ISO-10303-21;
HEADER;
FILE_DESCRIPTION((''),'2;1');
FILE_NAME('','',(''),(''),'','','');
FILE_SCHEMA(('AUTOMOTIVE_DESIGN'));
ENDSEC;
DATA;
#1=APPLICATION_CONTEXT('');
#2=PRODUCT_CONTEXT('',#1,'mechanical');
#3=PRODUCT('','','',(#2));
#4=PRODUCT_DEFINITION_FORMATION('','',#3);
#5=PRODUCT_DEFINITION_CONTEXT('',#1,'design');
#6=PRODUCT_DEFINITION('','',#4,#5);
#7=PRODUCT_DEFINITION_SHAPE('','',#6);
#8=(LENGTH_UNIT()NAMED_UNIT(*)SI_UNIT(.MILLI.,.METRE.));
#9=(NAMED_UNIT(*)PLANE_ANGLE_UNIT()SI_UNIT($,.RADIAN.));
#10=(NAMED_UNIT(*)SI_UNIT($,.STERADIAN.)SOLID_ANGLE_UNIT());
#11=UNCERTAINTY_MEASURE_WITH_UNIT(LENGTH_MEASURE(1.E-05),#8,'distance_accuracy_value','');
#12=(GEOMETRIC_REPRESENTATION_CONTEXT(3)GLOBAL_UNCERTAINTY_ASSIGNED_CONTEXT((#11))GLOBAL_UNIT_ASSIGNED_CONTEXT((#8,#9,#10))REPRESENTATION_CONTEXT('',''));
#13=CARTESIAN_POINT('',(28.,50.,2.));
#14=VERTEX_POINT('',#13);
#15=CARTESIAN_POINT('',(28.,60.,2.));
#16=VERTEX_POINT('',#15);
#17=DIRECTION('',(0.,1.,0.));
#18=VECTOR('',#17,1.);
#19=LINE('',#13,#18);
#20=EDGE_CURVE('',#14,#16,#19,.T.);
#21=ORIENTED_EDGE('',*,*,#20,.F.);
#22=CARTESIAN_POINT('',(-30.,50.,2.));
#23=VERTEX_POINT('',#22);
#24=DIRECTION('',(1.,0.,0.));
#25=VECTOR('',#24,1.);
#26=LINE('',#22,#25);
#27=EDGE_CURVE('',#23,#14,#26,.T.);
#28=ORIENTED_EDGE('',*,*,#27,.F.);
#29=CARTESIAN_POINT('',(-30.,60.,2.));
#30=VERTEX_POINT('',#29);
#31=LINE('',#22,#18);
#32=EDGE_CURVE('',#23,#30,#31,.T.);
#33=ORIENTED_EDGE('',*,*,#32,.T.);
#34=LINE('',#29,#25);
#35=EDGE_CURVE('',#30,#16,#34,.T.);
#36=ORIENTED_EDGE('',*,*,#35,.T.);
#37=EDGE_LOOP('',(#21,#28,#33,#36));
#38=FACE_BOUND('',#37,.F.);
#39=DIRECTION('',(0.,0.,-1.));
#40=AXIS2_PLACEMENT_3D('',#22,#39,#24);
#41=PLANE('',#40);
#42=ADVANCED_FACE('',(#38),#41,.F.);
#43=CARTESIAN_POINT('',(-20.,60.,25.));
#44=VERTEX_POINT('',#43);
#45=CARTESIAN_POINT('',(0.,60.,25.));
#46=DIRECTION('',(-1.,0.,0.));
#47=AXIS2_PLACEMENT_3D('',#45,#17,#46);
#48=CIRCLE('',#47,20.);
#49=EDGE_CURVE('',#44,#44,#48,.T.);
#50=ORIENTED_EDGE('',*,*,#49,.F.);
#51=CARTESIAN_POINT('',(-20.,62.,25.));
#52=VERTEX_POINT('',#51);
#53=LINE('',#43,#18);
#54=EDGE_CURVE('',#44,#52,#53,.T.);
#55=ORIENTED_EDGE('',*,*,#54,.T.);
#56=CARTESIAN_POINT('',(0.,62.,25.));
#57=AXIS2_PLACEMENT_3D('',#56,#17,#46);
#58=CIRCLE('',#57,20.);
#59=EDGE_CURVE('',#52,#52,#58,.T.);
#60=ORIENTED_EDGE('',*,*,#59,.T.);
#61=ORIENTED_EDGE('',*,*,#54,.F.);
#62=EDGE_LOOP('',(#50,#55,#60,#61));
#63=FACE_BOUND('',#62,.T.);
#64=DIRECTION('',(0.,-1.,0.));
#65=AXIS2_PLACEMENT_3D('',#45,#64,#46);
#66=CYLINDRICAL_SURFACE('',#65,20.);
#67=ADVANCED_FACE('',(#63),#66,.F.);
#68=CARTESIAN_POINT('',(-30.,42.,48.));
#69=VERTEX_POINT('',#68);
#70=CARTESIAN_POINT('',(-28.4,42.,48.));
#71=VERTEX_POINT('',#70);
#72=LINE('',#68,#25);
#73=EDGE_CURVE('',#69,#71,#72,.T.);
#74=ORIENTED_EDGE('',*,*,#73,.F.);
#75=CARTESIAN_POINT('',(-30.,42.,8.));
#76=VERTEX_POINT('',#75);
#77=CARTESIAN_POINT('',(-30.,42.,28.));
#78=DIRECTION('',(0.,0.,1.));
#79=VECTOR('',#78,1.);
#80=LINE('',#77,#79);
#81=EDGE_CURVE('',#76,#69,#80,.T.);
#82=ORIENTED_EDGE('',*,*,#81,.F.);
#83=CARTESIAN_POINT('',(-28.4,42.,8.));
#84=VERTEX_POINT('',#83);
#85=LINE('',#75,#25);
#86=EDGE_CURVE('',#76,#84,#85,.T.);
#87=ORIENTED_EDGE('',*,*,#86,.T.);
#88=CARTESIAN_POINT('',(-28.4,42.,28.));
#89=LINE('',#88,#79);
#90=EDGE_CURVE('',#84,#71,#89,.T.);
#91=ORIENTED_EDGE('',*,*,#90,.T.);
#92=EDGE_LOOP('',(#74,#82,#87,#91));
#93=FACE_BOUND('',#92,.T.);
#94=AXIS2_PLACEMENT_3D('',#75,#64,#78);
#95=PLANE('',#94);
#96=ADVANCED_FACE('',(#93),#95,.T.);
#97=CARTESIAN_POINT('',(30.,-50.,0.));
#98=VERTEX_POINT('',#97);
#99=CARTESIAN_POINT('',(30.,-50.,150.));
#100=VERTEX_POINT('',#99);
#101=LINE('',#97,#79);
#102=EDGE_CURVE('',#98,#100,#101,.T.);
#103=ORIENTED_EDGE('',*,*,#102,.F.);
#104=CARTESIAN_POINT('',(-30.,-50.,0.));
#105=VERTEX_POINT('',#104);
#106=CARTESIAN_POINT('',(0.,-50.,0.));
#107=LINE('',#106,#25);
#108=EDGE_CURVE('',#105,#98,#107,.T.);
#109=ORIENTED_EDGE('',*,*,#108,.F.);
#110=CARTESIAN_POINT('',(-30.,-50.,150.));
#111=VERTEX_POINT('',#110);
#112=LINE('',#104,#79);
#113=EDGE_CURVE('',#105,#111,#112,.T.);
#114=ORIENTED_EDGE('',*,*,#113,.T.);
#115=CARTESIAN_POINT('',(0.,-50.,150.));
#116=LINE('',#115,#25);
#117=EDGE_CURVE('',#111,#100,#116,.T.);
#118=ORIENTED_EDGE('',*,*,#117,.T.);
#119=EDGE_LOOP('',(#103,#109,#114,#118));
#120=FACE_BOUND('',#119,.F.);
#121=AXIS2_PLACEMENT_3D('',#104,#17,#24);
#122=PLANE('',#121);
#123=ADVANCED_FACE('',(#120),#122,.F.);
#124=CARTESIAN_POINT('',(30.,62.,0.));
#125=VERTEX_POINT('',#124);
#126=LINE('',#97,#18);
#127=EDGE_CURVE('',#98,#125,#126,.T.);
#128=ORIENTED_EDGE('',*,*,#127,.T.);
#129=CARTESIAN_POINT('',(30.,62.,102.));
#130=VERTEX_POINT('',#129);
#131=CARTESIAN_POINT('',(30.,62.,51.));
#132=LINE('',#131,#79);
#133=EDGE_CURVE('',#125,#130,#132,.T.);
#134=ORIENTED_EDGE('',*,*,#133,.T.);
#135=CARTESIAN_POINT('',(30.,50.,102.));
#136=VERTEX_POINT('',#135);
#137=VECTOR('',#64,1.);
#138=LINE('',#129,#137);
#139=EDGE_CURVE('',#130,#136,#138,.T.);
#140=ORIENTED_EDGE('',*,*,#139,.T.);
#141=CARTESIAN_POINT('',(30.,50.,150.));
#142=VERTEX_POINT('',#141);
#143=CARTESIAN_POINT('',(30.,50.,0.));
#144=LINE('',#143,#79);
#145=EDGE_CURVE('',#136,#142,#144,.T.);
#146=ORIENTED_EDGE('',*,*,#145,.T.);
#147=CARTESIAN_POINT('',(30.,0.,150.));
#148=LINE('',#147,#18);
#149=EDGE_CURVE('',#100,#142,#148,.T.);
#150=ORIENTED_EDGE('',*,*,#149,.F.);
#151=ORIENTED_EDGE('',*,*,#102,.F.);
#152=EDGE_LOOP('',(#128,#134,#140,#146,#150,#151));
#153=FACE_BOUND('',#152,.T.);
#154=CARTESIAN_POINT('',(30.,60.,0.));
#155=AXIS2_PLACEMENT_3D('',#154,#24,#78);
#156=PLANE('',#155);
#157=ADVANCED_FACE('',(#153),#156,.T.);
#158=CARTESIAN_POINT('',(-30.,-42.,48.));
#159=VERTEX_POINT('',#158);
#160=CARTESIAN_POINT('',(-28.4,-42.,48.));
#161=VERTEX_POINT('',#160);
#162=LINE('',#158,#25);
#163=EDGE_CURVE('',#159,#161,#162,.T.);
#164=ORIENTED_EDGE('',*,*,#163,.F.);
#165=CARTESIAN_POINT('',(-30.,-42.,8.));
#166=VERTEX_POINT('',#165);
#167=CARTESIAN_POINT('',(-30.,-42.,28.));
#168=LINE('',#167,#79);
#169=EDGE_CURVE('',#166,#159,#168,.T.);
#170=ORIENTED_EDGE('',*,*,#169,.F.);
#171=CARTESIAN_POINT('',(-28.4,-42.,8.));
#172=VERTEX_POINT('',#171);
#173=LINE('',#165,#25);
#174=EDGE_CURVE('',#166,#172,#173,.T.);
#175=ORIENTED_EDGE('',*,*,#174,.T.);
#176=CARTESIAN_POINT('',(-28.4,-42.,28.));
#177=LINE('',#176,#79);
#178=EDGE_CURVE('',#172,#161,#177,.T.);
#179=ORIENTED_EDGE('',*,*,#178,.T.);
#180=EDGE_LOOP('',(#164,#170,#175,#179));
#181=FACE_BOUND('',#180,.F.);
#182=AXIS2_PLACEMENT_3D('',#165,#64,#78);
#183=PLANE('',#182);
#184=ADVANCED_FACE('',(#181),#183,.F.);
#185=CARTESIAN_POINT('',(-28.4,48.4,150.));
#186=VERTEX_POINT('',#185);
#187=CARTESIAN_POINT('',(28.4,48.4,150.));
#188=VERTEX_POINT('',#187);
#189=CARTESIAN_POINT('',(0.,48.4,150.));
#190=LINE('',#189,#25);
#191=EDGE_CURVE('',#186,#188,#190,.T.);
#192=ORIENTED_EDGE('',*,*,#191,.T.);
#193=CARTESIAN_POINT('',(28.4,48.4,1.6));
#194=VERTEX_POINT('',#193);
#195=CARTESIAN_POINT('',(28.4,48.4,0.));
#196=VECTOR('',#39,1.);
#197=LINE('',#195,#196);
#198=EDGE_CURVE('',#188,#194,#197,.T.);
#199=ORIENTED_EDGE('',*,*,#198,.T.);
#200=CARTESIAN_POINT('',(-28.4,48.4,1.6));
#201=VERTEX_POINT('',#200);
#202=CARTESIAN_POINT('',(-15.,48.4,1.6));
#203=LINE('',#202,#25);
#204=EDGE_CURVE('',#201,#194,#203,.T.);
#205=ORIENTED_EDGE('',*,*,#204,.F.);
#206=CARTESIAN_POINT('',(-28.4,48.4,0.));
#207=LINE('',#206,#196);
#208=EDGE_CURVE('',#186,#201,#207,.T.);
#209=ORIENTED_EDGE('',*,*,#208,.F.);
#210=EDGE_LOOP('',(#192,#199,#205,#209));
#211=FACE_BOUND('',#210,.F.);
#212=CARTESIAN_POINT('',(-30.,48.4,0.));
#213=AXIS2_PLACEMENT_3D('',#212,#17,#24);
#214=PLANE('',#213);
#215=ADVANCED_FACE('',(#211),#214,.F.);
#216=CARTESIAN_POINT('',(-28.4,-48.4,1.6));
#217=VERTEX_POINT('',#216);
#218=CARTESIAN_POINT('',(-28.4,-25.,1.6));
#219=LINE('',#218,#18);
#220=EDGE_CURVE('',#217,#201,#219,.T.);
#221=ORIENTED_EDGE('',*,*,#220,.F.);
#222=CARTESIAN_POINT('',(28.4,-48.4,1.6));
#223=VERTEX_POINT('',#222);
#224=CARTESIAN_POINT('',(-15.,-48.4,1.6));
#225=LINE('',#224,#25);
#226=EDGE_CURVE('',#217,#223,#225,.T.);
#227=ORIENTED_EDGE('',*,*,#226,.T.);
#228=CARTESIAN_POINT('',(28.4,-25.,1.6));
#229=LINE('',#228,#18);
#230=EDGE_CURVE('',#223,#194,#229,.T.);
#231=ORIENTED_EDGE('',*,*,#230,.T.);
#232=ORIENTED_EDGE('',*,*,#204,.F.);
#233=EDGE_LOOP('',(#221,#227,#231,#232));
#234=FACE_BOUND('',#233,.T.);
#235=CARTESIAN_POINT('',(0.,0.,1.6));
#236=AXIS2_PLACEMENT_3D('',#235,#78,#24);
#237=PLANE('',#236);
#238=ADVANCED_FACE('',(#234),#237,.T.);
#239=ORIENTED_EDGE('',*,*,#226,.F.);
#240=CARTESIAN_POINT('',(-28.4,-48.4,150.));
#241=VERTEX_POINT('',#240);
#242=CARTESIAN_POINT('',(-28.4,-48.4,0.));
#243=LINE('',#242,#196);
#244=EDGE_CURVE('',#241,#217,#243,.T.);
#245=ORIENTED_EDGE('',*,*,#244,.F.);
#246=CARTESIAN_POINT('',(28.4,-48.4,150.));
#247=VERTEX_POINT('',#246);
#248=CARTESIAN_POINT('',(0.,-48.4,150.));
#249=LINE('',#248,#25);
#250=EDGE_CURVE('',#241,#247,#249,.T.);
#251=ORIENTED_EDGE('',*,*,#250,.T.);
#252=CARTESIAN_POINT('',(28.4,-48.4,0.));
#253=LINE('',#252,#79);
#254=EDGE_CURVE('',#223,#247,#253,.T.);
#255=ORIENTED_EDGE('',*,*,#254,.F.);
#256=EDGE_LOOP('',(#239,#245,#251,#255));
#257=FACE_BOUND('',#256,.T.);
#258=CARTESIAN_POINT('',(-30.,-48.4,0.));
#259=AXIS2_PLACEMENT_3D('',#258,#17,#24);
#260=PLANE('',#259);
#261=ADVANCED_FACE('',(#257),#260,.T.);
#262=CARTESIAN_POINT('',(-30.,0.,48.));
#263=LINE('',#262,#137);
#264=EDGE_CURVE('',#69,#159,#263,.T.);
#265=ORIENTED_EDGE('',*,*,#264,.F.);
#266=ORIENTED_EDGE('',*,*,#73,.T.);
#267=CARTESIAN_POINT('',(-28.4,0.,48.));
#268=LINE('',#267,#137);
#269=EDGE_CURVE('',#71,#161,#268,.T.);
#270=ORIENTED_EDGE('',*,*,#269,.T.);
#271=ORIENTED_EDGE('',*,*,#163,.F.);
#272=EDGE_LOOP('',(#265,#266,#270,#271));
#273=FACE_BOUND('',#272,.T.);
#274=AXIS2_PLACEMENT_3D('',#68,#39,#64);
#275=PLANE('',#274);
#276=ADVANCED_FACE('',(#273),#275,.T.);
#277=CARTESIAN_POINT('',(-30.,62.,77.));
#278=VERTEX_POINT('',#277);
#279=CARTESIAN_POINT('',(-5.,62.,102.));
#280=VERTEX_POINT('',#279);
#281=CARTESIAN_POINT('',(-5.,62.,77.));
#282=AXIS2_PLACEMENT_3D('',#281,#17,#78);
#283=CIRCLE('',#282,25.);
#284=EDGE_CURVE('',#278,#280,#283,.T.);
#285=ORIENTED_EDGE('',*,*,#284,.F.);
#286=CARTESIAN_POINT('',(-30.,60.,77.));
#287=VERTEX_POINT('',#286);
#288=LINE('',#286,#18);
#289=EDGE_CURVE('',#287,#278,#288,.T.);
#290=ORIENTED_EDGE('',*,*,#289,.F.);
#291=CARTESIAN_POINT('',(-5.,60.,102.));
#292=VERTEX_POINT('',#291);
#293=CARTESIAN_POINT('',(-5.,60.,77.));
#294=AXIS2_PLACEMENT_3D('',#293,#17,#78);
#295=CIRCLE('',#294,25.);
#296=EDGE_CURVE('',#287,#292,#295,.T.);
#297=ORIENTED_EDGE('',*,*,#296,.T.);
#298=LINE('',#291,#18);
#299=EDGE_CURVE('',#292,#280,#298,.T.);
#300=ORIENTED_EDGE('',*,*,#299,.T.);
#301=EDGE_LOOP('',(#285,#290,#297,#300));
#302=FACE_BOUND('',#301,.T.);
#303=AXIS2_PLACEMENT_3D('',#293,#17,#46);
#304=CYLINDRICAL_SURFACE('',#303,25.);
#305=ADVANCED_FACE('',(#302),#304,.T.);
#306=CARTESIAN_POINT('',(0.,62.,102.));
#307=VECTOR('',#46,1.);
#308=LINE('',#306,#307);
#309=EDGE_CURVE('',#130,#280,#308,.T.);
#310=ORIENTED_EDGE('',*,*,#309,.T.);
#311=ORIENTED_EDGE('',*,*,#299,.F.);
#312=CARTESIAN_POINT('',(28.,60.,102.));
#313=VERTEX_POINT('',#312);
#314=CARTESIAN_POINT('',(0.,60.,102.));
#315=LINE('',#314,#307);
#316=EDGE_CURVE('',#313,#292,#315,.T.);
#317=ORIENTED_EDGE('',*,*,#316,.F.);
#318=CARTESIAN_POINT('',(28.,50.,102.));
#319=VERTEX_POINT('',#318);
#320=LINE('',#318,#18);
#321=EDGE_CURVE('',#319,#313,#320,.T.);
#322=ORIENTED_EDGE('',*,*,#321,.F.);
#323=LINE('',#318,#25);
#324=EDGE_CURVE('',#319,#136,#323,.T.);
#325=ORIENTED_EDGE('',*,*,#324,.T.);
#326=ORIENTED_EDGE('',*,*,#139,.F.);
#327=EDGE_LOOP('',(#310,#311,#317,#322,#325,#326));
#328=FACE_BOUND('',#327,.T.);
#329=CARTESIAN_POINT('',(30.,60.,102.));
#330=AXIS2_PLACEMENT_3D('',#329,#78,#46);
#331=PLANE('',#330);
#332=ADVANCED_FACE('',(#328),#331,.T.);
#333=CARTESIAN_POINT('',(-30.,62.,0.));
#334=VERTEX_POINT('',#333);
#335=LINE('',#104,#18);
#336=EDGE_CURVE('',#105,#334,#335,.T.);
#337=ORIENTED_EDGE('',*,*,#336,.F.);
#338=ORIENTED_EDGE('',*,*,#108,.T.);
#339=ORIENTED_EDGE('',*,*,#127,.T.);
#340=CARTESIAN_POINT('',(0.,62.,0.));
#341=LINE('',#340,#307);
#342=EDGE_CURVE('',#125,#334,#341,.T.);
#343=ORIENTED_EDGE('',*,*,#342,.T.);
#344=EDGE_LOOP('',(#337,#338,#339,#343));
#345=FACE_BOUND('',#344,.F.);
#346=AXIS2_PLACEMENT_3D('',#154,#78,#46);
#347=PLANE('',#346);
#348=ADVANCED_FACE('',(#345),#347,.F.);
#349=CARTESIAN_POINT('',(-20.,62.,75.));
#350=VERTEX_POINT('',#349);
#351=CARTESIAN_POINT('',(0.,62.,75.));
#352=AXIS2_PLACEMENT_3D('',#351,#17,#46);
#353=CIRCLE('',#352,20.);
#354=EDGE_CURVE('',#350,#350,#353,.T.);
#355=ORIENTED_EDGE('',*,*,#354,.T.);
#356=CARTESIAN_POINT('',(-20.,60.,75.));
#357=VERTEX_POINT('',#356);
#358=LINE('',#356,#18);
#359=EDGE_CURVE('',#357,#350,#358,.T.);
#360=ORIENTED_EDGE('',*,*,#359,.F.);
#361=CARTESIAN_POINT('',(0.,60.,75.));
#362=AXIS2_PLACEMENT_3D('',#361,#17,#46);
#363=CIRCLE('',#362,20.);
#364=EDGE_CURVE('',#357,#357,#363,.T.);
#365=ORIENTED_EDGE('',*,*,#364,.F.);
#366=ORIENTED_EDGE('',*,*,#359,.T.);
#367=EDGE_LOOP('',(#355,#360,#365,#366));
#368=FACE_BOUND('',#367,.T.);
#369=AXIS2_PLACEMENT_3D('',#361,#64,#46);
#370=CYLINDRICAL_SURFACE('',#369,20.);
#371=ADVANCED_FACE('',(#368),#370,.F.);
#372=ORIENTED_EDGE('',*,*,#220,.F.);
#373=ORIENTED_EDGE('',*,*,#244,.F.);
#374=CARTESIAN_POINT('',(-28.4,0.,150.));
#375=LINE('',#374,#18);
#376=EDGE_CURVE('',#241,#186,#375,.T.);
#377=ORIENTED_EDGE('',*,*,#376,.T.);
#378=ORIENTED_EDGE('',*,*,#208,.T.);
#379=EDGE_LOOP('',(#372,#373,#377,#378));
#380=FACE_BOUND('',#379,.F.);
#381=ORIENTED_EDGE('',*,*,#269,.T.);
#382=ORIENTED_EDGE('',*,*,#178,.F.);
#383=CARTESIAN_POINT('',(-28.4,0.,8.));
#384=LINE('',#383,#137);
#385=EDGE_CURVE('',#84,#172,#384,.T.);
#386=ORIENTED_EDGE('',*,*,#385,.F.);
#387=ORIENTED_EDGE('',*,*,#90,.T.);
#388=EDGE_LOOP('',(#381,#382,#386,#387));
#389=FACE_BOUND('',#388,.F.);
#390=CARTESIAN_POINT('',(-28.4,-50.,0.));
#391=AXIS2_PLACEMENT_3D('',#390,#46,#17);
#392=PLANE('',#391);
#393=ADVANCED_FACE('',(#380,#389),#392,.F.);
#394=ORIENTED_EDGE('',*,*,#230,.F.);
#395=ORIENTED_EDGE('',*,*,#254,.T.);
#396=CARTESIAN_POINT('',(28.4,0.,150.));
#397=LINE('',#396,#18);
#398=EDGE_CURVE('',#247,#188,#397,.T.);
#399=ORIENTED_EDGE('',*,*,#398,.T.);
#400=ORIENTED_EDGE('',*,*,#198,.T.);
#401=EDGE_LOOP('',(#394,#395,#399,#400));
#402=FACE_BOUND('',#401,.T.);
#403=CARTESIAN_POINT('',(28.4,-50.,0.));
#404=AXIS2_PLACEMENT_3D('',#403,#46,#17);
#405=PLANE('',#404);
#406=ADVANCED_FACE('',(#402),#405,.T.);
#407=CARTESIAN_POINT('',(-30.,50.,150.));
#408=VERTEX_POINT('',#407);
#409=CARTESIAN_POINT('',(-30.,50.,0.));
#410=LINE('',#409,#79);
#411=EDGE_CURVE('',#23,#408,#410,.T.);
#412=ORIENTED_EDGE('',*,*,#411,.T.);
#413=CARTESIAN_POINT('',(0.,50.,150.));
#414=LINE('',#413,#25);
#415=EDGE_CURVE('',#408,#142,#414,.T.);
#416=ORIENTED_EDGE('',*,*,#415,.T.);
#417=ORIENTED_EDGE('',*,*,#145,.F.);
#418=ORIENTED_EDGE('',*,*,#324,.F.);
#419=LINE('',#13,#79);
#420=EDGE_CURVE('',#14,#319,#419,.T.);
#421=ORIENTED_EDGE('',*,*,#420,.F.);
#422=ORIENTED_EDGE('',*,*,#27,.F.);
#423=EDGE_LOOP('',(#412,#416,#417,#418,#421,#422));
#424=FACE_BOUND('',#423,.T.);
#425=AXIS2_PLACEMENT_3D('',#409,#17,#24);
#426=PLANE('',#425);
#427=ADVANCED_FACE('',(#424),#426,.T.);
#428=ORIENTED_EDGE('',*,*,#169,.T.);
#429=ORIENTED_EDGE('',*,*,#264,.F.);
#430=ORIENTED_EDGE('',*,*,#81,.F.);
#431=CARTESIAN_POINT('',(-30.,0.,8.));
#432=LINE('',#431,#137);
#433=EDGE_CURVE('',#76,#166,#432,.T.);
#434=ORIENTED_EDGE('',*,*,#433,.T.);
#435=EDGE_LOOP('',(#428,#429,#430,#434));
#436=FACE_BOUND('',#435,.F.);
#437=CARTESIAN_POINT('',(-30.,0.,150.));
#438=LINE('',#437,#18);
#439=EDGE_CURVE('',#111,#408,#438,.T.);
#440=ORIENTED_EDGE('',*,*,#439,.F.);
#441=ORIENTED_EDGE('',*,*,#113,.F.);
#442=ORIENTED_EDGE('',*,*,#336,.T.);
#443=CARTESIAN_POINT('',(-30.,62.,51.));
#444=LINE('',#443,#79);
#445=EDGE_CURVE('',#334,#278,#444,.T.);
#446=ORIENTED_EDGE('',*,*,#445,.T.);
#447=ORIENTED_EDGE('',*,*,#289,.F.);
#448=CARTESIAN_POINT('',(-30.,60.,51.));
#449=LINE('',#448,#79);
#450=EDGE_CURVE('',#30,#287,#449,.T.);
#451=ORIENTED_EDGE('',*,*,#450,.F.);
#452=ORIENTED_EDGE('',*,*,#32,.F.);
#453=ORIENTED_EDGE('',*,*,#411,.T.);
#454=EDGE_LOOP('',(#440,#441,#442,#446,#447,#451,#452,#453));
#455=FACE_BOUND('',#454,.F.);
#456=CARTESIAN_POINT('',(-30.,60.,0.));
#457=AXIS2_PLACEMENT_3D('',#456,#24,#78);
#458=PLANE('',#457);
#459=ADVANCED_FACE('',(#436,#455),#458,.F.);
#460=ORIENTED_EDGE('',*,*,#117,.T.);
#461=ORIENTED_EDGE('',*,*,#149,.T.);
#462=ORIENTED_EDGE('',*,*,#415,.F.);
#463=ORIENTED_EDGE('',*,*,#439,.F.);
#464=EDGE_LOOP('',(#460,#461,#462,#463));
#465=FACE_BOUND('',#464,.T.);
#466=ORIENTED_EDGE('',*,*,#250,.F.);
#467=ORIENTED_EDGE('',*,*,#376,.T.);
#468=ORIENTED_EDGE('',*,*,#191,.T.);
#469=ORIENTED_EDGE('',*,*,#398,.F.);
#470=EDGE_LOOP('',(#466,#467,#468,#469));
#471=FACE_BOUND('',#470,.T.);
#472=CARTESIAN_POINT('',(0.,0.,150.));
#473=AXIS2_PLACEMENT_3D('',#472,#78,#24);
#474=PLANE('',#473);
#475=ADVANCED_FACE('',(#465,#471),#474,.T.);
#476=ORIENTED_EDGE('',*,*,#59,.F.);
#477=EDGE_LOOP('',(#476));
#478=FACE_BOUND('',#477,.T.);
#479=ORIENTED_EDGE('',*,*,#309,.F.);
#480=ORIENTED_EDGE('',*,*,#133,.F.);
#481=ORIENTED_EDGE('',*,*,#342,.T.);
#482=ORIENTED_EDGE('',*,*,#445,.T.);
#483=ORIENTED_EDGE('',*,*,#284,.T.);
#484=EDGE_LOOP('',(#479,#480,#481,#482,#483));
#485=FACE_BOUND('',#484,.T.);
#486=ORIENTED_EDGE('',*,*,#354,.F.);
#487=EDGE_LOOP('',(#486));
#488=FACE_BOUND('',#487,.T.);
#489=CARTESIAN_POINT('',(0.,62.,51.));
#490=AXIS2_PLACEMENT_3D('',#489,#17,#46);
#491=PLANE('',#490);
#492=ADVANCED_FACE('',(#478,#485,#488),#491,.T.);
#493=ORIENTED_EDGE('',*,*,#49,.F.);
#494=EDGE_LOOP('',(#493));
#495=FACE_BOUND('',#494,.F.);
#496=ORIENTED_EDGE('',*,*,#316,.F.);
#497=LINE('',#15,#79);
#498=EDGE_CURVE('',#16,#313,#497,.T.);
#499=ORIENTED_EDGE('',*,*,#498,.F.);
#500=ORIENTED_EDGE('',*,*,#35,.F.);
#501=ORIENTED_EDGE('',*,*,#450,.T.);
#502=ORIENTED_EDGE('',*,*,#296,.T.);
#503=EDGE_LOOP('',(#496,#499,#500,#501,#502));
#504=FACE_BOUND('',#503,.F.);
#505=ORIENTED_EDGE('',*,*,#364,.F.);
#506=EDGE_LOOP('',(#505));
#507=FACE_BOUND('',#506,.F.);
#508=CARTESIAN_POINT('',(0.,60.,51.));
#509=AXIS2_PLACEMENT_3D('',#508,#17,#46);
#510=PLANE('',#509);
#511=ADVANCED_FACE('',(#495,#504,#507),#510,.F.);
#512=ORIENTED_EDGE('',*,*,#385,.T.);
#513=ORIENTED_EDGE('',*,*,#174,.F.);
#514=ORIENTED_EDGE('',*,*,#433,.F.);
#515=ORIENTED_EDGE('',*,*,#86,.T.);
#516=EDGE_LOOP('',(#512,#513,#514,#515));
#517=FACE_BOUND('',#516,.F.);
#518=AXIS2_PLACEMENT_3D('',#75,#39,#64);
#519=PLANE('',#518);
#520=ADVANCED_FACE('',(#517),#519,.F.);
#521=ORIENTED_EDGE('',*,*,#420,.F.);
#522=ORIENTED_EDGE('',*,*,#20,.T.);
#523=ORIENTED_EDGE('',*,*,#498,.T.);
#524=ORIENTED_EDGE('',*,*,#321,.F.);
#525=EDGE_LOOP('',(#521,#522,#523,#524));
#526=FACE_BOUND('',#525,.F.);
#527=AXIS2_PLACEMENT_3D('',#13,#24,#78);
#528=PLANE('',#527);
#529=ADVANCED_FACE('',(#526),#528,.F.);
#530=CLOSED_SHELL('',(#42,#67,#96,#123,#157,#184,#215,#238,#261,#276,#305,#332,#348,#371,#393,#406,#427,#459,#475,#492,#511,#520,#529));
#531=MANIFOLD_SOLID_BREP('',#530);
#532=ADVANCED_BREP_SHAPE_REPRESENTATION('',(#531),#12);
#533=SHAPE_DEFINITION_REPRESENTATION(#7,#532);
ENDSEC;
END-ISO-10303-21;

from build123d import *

# Parameters (mm, degrees)
SKETCH_W     = 60
SKETCH_H     = 100
PAD_DEPTH    = 150
THICKNESS_T  = -1.6
SKETCH001_W  = 84
SKETCH001_H  = 40
POCKET_DEPTH = 1.6
PAD001_DEPTH = 10
SKETCH003_W  = 60
SKETCH003_H  = 102
SKETCH003_R  = 20
PAD002_DEPTH = 2
FILLET_R     = 25


with BuildPart() as part:
    # Sketch → Pad (new body)
    with BuildSketch(Plane.XY):
        Rectangle(SKETCH_W, SKETCH_H)
    extrude(amount=PAD_DEPTH)

    # Thickness
    thickness_openings = [part.faces().sort_by_distance(p)[0] for p in [
        (0, 0, 150),
    ]]
    offset(amount=THICKNESS_T, openings=thickness_openings)

    # Sketch001 (on Face4 of Thickness) → Pocket (cut)
    with BuildSketch(Plane(origin=(-30, 0, 0), x_dir=(0, -1, 0), z_dir=(-1, 0, 0))):
        with Locations((0, 28)):
            Rectangle(SKETCH001_W, SKETCH001_H)
    extrude(amount=-POCKET_DEPTH, mode=Mode.SUBTRACT)

    # Sketch002 (on Face6 of Pocket) → Pad001 (join)
    with BuildSketch(Plane(origin=(0, 50, 0), x_dir=(-1, 0, 0), z_dir=(0, 1, 0))):
        Polygon((-30, 102), (-30, 0), (30, 0), (30, 2), (-28, 2), (-28, 102), align=None)
    extrude(amount=PAD001_DEPTH)

    # Sketch003 (on Face19 of Pad001) → Pad002 (join)
    with BuildSketch(Plane(origin=(0, 60, 0), x_dir=(-1, 0, 0), z_dir=(0, 1, 0))):
        with Locations((0, 51)):
            Rectangle(SKETCH003_W, SKETCH003_H)
        with Locations((0, 75)):
            Circle(SKETCH003_R, mode=Mode.SUBTRACT)
        with Locations((0, 25)):
            Circle(SKETCH003_R, mode=Mode.SUBTRACT)
    extrude(amount=PAD002_DEPTH)

    # Fillet
    fillet_edges = [part.edges().sort_by_distance(p)[0] for p in [
        (-30, 61, 102),
    ]]
    fillet(fillet_edges, radius=FILLET_R)


solid = part.part
